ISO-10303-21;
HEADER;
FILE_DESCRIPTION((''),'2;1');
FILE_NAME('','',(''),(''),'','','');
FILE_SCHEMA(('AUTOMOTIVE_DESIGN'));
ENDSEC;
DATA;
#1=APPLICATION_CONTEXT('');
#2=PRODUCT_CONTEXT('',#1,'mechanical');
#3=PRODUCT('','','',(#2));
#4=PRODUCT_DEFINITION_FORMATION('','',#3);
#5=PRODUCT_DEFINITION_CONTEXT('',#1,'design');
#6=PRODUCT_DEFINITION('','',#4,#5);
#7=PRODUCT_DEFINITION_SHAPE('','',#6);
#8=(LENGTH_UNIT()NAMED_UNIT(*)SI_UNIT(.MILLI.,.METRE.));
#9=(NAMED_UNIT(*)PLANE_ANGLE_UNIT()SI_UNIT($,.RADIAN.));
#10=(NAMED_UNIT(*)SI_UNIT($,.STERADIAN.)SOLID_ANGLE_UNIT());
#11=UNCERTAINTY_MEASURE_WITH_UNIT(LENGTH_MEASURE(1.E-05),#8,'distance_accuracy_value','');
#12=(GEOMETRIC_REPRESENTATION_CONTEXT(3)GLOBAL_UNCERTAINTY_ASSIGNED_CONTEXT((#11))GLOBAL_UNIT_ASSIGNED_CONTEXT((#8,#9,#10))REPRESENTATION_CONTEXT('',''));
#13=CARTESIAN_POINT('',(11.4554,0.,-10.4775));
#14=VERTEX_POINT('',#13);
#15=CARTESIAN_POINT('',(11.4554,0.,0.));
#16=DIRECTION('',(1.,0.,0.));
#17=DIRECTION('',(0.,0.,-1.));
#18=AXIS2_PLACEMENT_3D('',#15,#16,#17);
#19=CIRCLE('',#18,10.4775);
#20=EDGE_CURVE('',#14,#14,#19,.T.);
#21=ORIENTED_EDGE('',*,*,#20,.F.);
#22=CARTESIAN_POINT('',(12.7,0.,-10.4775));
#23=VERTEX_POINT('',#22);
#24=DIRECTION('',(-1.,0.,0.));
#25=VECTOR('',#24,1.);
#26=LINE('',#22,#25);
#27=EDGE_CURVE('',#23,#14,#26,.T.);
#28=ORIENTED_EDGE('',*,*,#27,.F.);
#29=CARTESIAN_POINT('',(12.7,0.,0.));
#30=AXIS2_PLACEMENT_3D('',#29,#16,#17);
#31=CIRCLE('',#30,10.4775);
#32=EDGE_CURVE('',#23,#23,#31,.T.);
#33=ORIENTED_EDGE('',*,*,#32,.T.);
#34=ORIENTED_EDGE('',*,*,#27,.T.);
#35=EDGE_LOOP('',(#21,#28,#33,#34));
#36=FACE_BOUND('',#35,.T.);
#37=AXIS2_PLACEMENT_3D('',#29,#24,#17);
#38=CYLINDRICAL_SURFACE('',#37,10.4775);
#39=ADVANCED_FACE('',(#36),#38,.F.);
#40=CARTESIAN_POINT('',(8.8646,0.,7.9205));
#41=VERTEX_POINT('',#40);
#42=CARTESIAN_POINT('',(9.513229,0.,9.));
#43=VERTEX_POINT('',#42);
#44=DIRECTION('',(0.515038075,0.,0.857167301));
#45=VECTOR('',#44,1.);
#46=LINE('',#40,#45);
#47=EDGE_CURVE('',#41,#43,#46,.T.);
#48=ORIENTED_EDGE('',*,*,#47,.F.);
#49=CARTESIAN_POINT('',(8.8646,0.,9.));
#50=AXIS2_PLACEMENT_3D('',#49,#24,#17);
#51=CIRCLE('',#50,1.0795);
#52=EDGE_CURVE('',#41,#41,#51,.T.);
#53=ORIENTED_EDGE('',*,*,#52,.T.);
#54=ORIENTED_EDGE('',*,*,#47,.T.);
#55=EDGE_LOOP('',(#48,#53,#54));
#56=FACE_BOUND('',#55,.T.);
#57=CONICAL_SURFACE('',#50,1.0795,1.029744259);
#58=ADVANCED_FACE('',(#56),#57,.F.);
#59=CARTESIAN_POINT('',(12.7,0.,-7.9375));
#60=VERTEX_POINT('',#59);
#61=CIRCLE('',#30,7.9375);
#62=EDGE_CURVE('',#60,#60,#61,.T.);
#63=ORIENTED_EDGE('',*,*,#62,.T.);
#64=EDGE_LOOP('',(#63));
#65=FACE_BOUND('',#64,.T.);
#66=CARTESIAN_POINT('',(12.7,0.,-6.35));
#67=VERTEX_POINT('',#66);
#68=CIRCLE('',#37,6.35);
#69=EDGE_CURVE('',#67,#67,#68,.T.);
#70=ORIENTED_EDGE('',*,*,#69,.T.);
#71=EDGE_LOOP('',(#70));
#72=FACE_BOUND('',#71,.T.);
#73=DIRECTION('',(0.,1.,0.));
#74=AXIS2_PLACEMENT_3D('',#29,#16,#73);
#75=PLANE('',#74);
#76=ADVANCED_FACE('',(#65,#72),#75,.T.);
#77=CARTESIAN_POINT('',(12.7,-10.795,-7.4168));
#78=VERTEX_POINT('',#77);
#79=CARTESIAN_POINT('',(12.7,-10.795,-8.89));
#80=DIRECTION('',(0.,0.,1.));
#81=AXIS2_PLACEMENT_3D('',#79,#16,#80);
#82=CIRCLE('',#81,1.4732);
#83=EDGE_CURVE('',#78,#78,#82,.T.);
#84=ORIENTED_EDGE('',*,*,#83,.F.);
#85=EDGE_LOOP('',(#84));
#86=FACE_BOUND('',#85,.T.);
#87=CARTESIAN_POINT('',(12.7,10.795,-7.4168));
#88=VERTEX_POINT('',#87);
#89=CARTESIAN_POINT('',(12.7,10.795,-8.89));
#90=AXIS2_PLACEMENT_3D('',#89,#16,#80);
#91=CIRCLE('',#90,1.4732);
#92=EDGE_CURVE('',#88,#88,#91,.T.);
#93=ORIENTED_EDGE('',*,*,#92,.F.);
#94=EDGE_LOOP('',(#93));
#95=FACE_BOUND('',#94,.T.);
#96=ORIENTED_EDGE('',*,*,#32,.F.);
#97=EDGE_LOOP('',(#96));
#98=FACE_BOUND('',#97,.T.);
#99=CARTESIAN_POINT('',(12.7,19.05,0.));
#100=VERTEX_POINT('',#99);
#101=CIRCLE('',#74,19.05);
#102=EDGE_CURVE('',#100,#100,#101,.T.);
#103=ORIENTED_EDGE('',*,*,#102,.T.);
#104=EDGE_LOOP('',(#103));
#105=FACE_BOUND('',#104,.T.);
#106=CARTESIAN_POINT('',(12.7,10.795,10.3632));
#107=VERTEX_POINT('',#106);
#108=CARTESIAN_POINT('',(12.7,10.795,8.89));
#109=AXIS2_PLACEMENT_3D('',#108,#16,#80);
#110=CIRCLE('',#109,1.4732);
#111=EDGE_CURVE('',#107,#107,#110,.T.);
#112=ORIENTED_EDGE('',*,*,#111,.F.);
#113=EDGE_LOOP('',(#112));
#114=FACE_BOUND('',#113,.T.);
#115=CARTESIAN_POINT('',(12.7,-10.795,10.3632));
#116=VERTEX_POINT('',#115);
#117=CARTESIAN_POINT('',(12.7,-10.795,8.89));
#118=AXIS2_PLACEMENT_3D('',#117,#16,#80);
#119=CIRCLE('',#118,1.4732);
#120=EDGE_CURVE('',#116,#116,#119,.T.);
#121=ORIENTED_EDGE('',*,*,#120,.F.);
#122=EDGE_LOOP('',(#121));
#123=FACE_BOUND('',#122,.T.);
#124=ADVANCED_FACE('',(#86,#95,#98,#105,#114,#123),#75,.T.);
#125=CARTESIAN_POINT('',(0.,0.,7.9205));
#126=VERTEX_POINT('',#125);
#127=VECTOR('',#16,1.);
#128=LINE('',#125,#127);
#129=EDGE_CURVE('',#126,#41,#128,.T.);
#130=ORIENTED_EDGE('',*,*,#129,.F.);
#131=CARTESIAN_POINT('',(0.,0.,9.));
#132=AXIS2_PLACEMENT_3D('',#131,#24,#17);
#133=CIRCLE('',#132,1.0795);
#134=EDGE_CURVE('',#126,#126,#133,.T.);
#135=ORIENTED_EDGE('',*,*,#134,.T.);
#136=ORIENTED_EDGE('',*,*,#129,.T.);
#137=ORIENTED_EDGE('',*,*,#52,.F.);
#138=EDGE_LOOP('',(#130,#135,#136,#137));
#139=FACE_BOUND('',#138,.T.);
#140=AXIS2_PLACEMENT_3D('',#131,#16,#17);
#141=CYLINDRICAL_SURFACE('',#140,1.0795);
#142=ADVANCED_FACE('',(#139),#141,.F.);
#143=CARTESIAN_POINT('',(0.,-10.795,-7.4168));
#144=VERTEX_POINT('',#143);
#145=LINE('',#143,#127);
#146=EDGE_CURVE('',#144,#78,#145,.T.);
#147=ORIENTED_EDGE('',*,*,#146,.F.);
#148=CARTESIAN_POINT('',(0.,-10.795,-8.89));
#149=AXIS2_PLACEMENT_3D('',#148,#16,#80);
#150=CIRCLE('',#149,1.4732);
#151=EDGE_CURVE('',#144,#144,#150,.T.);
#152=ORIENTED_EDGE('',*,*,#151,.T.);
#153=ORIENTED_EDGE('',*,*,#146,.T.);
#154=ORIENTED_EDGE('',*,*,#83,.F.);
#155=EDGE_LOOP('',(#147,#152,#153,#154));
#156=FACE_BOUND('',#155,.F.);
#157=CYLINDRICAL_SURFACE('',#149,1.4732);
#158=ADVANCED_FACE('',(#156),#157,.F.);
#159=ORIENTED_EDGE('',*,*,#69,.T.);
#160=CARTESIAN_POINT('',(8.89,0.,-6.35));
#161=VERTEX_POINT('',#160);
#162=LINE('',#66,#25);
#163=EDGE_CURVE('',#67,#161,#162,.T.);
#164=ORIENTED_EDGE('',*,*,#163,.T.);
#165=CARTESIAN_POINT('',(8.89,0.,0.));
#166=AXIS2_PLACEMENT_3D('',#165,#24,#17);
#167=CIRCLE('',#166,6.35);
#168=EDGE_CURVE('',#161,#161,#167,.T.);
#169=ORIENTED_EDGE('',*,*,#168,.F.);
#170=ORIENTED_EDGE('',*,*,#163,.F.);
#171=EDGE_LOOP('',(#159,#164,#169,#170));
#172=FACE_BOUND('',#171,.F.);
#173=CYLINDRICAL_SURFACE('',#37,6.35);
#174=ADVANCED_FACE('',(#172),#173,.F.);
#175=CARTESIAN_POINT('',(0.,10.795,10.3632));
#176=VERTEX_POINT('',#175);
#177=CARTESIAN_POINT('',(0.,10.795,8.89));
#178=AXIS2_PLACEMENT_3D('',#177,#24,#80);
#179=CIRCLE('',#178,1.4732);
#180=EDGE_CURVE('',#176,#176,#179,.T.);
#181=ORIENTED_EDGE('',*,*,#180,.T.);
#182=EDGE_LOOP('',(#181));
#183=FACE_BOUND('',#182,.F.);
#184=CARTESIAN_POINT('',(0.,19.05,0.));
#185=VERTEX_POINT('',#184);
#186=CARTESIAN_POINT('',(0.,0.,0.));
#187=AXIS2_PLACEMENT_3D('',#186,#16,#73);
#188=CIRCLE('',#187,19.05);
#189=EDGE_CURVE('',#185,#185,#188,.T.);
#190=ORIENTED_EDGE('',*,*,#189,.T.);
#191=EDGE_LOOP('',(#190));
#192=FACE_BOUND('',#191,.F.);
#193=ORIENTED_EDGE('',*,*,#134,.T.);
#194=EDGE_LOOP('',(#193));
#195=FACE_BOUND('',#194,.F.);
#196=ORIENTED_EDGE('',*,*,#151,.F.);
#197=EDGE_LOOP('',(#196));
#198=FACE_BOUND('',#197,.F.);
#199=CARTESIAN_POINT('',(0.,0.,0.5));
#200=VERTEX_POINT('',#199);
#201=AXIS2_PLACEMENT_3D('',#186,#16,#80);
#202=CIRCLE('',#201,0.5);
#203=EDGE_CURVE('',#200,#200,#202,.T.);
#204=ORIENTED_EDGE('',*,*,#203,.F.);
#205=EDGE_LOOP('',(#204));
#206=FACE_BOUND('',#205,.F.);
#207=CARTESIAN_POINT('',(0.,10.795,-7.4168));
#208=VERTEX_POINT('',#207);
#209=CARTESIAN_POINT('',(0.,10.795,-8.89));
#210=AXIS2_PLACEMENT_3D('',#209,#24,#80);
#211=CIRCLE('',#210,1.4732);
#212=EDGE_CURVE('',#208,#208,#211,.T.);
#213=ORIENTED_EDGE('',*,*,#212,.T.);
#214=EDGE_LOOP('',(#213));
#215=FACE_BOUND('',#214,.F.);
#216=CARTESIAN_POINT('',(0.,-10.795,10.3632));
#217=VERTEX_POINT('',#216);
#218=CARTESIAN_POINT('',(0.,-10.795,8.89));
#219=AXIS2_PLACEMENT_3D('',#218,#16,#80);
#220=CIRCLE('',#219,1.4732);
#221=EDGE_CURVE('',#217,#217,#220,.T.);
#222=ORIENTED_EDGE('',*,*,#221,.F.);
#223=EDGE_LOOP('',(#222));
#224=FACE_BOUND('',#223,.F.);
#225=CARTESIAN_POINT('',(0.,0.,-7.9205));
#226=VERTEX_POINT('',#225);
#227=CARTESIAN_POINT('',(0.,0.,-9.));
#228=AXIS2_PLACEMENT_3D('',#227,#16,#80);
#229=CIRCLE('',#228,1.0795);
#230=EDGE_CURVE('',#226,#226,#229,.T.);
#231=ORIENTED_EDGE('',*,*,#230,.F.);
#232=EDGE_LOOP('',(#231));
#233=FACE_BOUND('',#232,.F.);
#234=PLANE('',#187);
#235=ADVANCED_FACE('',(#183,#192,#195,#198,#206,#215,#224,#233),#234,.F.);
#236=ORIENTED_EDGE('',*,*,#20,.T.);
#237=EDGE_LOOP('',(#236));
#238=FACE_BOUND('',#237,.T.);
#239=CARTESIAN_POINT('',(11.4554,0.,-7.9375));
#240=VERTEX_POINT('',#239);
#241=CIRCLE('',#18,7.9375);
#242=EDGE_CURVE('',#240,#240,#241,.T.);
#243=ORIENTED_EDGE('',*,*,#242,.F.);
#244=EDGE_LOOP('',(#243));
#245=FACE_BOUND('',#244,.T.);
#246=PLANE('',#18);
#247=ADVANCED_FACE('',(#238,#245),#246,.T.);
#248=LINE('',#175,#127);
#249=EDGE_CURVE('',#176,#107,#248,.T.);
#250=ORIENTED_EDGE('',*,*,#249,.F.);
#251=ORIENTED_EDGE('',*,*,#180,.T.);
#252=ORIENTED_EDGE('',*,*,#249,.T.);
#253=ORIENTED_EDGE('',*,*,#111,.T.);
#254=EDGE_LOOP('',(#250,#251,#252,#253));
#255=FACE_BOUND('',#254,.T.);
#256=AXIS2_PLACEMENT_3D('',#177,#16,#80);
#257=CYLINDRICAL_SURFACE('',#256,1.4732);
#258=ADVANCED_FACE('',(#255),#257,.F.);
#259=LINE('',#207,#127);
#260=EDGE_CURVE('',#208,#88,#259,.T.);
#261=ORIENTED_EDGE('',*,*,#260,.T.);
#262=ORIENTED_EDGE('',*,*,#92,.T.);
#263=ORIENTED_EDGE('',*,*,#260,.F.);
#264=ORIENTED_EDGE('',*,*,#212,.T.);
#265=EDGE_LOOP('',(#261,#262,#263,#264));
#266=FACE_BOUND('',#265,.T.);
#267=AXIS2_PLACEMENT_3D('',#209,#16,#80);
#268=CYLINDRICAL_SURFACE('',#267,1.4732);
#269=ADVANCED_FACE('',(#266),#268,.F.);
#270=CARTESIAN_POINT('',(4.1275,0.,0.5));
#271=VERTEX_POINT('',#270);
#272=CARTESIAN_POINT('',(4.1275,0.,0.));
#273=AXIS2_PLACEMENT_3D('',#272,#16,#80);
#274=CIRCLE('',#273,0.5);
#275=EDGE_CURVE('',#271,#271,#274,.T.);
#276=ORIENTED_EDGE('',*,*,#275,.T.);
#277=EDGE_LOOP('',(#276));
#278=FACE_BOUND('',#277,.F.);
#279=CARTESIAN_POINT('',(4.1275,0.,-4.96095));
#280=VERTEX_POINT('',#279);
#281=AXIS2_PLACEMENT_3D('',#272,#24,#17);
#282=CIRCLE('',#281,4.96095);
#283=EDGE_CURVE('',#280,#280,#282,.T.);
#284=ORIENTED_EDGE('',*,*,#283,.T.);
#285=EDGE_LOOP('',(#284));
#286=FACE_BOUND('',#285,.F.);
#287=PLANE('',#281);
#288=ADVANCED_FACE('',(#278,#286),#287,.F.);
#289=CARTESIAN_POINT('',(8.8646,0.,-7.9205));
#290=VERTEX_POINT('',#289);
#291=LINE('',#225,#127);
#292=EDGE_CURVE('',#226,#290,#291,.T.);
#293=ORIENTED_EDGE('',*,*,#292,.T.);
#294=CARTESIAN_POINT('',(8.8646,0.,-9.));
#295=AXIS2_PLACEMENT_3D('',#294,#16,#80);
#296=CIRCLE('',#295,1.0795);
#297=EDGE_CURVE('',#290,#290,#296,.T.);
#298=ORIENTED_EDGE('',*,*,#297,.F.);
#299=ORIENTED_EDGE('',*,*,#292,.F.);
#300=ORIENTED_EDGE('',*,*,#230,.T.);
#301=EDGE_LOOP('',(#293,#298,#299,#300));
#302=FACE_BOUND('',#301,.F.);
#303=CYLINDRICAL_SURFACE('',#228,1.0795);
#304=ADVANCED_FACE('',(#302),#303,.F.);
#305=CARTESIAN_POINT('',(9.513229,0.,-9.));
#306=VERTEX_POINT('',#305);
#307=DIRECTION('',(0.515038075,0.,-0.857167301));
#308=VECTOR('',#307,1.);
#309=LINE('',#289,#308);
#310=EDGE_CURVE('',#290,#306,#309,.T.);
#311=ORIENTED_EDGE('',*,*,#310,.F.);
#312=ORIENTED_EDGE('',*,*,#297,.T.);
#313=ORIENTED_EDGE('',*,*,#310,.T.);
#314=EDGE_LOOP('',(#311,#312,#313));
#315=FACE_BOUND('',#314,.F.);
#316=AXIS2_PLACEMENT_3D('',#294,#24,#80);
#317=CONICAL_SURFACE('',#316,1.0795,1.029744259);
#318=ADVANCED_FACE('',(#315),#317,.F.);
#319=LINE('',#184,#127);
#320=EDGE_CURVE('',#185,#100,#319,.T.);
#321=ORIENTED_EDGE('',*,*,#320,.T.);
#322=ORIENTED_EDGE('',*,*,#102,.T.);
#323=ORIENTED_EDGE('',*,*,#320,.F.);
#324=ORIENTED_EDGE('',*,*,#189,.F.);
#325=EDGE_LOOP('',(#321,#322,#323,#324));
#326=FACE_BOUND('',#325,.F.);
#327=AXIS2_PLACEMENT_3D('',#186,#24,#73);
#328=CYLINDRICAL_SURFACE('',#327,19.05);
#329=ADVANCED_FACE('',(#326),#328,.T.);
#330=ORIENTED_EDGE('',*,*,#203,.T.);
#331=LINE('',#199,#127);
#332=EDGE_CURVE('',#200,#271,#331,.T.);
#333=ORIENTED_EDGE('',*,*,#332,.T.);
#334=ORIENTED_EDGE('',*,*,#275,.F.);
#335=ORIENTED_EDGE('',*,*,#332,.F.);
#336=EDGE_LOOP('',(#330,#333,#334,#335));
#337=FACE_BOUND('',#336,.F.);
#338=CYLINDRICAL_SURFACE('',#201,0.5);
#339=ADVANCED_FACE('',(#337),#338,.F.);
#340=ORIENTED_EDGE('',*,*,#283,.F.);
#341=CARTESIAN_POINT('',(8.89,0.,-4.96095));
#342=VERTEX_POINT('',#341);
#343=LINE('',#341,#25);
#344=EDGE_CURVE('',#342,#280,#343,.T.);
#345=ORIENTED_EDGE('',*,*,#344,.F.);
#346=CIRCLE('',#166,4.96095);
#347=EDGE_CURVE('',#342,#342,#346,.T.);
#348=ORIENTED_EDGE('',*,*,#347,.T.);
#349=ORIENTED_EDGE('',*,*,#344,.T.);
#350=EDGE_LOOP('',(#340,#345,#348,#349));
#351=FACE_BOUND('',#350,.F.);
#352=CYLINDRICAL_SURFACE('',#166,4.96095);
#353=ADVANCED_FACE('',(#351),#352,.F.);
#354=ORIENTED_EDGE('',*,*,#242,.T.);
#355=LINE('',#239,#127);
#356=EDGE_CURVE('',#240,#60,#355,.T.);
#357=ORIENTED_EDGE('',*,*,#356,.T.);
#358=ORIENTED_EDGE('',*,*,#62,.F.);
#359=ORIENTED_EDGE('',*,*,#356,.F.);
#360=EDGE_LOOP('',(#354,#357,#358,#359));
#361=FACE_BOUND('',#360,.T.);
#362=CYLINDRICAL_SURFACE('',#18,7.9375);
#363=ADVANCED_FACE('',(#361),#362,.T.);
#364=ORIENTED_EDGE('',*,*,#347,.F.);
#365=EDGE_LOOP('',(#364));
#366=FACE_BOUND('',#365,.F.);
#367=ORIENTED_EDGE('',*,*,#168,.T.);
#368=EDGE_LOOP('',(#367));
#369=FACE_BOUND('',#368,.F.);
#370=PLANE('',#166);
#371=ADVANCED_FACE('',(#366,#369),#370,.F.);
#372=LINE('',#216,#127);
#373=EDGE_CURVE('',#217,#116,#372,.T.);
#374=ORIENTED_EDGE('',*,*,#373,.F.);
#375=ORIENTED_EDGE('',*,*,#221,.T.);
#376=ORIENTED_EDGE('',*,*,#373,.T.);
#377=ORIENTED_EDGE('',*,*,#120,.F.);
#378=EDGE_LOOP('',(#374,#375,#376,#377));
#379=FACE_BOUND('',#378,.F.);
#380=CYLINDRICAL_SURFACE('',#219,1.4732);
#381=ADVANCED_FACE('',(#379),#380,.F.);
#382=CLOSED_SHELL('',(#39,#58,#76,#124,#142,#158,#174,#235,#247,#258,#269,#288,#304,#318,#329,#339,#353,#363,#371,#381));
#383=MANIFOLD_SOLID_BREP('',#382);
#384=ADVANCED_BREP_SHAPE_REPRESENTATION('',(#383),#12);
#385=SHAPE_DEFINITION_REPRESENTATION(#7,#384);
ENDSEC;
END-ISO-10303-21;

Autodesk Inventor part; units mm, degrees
ref_plane "YZ Plane" through (0, 0, 0) normal (1, 0, 0) x (0, 1, 0)
sketch "Sketch1" plane through (0, 0, 0) normal (1, 0, 0) x (0, 1, 0)
  circle A0 centre (0, 0) radius 19.05
  dimension "d0" = 38.1
extrude "Extrusion1" add sketch "Sketch1" along normal blind 12.7
sketch "Sketch10" plane through (12.7, 0, 0) normal (1, 0, 0) x (0, 0, -1)
  point P0 (0, 0)
  point P1 (0, 0)
hole "Hole4" at (12.7, 0, 0) direction (-1, 0, 0) diameter 12.7 depth 3.81
ref_plane "Work Plane2" through (8.89, 0, 0) normal (1, 0, 0) x (0, 0, -1)
hole "Hole1" at (8.89, 0, 0) direction (-1, 0, 0) diameter 9.9219 depth 4.7625
ref_plane "Work Plane1" through (-12.7, 0, 0) normal (1, 0, 0) x (0, 0, -1)
sketch "Sketch5" plane through (0, 0, 0) normal (1, 0, 0) x (0, 1, 0)
  line L0 (0, 9) -> (0, -9)
  circle A0 centre (0, 0) radius 19.05 projected
  line L1 (-10.795, 0) -> (10.795, 0)
  line L2 (-10.795, 8.89) -> (-10.795, -8.89)
  dimension "d37" = 18
  dimension "d45" = 21.59
  dimension "d46" = 17.78
hole "Hole2" at (0, 0, -9) direction (1, 0, 0) diameter 2.159 depth 8.8646 tip angle 118
sketch "Sketch6" plane through (0, 0, 0) normal (-1, 0, 0) x (0, 0, 1)
  circle A0 centre (0, 0) radius 0.5715
  dimension "d34" = 1.143
hole "Hole5" at (0, 0, 0) direction (1, 0, 0) diameter 1 end through all
mirror "Mirror1" about plane through (0, 0, 0) normal (0, 0, 1) of "Hole2"
hole "Hole3" at (0, -10.795, 8.89) at (0, -10.795, -8.89) direction (1, 0, 0) diameter 2.9464 end through all clearance for "Flat Head Machine Screw (82)" size "#4" standard "Ansi Unified Screw Threads"
mirror "Mirror2" about plane through (0, 0, 0) normal (0, 1, 0) of "Hole3"
sketch "Sketch9" plane through (0, 0, 0) normal (0, 1, 0) x (-1, 0, 0)
  line L0 (-11.4554, -7.9375) -> (-12.7, -7.9375)
  line L1 (-12.7, -7.9375) -> (-12.7, -10.4775)
  line L2 (-12.7, -10.4775) -> (-11.4554, -10.4775)
  line L3 (-11.4554, -10.4775) -> (-11.4554, -7.9375)
  line L4 (2.54, 0) -> (-15.24, 0) projected
  line L5 (-12.7, 19.05) -> (-12.7, -19.05) projected
  point P0 (0, 0)
  dimension "d55" = 2.54
  dimension "d56" = 1.2446
  dimension "d59" = 7.9375
revolve "Revolution1" cut sketch "Sketch9" angle 360 about axis through (-10, 0, 0) along (1, 0, 0)
properties part number "0.375 in hole" material "Aluminum 6061"
